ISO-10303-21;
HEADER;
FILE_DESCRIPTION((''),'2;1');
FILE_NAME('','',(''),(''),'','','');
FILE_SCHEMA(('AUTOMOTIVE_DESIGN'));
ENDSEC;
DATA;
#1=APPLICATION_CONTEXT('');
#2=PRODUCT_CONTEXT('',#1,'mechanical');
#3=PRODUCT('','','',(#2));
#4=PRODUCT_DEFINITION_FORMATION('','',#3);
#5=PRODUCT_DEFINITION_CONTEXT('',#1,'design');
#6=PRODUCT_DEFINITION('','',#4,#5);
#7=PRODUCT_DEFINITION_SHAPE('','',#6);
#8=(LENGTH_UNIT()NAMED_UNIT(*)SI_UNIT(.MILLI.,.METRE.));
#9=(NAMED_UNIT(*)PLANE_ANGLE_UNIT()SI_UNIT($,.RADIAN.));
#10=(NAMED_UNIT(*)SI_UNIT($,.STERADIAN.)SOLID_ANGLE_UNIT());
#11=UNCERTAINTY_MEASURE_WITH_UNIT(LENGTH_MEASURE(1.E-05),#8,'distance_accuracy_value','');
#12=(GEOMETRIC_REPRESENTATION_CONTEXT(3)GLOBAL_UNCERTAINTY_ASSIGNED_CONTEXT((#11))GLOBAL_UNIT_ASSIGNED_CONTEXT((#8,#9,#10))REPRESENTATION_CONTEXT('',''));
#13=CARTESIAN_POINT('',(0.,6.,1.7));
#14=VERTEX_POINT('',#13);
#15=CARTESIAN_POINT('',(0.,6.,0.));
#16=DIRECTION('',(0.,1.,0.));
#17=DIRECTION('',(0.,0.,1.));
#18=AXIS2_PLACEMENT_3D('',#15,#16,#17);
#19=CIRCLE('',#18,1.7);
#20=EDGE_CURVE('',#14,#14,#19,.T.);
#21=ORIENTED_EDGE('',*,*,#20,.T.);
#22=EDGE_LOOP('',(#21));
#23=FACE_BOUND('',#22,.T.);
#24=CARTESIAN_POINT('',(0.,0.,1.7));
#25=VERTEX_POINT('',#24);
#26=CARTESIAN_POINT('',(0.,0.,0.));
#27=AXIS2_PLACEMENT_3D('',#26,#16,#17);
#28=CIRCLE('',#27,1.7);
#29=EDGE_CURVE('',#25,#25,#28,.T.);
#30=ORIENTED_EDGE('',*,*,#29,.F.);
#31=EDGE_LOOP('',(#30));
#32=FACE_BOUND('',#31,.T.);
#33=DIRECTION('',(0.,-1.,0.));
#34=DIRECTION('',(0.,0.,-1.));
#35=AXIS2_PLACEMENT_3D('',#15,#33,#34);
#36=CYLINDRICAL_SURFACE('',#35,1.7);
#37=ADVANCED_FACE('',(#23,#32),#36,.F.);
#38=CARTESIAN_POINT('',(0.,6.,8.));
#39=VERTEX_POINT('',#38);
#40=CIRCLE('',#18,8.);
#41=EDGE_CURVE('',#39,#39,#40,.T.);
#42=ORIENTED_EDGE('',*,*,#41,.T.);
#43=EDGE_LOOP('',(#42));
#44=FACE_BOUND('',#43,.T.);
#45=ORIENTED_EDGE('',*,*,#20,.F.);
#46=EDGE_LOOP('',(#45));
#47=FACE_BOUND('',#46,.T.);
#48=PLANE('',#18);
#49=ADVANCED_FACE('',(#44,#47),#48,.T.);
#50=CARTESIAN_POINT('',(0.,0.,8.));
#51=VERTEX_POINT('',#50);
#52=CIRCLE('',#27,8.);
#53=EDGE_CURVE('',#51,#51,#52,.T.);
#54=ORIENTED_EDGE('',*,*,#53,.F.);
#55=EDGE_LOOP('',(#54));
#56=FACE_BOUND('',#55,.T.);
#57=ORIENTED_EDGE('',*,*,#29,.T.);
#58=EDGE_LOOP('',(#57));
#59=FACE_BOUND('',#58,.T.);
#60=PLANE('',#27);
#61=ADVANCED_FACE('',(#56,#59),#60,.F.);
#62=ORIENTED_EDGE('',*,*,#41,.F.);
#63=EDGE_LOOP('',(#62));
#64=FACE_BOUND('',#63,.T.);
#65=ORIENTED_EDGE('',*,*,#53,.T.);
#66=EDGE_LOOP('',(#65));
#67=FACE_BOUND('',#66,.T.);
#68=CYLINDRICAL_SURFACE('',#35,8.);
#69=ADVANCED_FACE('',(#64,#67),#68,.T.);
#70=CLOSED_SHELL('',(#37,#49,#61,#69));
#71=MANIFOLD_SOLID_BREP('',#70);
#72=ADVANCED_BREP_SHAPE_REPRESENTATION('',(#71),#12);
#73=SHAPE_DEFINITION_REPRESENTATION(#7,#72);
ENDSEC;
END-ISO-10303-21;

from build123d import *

# Parameters (mm, degrees)
SKETCH_1_R      = 8
SKETCH_1_R_2    = 1.7
EXTRUDE_1_DEPTH = 6


with BuildPart() as part:
    # 草图1 → 凸台-拉伸1 (new body)
    with BuildSketch(Plane(origin=(0, 0, 0), x_dir=(1, 0, 0), z_dir=(0, 1, 0))):
        with Locations(Location((0, 0, 0), (0, 0, 270))):
            Circle(SKETCH_1_R)
        with Locations(Location((0, 0, 0), (0, 0, 270))):
            Circle(SKETCH_1_R_2, mode=Mode.SUBTRACT)
    extrude(amount=EXTRUDE_1_DEPTH)


solid = part.part
